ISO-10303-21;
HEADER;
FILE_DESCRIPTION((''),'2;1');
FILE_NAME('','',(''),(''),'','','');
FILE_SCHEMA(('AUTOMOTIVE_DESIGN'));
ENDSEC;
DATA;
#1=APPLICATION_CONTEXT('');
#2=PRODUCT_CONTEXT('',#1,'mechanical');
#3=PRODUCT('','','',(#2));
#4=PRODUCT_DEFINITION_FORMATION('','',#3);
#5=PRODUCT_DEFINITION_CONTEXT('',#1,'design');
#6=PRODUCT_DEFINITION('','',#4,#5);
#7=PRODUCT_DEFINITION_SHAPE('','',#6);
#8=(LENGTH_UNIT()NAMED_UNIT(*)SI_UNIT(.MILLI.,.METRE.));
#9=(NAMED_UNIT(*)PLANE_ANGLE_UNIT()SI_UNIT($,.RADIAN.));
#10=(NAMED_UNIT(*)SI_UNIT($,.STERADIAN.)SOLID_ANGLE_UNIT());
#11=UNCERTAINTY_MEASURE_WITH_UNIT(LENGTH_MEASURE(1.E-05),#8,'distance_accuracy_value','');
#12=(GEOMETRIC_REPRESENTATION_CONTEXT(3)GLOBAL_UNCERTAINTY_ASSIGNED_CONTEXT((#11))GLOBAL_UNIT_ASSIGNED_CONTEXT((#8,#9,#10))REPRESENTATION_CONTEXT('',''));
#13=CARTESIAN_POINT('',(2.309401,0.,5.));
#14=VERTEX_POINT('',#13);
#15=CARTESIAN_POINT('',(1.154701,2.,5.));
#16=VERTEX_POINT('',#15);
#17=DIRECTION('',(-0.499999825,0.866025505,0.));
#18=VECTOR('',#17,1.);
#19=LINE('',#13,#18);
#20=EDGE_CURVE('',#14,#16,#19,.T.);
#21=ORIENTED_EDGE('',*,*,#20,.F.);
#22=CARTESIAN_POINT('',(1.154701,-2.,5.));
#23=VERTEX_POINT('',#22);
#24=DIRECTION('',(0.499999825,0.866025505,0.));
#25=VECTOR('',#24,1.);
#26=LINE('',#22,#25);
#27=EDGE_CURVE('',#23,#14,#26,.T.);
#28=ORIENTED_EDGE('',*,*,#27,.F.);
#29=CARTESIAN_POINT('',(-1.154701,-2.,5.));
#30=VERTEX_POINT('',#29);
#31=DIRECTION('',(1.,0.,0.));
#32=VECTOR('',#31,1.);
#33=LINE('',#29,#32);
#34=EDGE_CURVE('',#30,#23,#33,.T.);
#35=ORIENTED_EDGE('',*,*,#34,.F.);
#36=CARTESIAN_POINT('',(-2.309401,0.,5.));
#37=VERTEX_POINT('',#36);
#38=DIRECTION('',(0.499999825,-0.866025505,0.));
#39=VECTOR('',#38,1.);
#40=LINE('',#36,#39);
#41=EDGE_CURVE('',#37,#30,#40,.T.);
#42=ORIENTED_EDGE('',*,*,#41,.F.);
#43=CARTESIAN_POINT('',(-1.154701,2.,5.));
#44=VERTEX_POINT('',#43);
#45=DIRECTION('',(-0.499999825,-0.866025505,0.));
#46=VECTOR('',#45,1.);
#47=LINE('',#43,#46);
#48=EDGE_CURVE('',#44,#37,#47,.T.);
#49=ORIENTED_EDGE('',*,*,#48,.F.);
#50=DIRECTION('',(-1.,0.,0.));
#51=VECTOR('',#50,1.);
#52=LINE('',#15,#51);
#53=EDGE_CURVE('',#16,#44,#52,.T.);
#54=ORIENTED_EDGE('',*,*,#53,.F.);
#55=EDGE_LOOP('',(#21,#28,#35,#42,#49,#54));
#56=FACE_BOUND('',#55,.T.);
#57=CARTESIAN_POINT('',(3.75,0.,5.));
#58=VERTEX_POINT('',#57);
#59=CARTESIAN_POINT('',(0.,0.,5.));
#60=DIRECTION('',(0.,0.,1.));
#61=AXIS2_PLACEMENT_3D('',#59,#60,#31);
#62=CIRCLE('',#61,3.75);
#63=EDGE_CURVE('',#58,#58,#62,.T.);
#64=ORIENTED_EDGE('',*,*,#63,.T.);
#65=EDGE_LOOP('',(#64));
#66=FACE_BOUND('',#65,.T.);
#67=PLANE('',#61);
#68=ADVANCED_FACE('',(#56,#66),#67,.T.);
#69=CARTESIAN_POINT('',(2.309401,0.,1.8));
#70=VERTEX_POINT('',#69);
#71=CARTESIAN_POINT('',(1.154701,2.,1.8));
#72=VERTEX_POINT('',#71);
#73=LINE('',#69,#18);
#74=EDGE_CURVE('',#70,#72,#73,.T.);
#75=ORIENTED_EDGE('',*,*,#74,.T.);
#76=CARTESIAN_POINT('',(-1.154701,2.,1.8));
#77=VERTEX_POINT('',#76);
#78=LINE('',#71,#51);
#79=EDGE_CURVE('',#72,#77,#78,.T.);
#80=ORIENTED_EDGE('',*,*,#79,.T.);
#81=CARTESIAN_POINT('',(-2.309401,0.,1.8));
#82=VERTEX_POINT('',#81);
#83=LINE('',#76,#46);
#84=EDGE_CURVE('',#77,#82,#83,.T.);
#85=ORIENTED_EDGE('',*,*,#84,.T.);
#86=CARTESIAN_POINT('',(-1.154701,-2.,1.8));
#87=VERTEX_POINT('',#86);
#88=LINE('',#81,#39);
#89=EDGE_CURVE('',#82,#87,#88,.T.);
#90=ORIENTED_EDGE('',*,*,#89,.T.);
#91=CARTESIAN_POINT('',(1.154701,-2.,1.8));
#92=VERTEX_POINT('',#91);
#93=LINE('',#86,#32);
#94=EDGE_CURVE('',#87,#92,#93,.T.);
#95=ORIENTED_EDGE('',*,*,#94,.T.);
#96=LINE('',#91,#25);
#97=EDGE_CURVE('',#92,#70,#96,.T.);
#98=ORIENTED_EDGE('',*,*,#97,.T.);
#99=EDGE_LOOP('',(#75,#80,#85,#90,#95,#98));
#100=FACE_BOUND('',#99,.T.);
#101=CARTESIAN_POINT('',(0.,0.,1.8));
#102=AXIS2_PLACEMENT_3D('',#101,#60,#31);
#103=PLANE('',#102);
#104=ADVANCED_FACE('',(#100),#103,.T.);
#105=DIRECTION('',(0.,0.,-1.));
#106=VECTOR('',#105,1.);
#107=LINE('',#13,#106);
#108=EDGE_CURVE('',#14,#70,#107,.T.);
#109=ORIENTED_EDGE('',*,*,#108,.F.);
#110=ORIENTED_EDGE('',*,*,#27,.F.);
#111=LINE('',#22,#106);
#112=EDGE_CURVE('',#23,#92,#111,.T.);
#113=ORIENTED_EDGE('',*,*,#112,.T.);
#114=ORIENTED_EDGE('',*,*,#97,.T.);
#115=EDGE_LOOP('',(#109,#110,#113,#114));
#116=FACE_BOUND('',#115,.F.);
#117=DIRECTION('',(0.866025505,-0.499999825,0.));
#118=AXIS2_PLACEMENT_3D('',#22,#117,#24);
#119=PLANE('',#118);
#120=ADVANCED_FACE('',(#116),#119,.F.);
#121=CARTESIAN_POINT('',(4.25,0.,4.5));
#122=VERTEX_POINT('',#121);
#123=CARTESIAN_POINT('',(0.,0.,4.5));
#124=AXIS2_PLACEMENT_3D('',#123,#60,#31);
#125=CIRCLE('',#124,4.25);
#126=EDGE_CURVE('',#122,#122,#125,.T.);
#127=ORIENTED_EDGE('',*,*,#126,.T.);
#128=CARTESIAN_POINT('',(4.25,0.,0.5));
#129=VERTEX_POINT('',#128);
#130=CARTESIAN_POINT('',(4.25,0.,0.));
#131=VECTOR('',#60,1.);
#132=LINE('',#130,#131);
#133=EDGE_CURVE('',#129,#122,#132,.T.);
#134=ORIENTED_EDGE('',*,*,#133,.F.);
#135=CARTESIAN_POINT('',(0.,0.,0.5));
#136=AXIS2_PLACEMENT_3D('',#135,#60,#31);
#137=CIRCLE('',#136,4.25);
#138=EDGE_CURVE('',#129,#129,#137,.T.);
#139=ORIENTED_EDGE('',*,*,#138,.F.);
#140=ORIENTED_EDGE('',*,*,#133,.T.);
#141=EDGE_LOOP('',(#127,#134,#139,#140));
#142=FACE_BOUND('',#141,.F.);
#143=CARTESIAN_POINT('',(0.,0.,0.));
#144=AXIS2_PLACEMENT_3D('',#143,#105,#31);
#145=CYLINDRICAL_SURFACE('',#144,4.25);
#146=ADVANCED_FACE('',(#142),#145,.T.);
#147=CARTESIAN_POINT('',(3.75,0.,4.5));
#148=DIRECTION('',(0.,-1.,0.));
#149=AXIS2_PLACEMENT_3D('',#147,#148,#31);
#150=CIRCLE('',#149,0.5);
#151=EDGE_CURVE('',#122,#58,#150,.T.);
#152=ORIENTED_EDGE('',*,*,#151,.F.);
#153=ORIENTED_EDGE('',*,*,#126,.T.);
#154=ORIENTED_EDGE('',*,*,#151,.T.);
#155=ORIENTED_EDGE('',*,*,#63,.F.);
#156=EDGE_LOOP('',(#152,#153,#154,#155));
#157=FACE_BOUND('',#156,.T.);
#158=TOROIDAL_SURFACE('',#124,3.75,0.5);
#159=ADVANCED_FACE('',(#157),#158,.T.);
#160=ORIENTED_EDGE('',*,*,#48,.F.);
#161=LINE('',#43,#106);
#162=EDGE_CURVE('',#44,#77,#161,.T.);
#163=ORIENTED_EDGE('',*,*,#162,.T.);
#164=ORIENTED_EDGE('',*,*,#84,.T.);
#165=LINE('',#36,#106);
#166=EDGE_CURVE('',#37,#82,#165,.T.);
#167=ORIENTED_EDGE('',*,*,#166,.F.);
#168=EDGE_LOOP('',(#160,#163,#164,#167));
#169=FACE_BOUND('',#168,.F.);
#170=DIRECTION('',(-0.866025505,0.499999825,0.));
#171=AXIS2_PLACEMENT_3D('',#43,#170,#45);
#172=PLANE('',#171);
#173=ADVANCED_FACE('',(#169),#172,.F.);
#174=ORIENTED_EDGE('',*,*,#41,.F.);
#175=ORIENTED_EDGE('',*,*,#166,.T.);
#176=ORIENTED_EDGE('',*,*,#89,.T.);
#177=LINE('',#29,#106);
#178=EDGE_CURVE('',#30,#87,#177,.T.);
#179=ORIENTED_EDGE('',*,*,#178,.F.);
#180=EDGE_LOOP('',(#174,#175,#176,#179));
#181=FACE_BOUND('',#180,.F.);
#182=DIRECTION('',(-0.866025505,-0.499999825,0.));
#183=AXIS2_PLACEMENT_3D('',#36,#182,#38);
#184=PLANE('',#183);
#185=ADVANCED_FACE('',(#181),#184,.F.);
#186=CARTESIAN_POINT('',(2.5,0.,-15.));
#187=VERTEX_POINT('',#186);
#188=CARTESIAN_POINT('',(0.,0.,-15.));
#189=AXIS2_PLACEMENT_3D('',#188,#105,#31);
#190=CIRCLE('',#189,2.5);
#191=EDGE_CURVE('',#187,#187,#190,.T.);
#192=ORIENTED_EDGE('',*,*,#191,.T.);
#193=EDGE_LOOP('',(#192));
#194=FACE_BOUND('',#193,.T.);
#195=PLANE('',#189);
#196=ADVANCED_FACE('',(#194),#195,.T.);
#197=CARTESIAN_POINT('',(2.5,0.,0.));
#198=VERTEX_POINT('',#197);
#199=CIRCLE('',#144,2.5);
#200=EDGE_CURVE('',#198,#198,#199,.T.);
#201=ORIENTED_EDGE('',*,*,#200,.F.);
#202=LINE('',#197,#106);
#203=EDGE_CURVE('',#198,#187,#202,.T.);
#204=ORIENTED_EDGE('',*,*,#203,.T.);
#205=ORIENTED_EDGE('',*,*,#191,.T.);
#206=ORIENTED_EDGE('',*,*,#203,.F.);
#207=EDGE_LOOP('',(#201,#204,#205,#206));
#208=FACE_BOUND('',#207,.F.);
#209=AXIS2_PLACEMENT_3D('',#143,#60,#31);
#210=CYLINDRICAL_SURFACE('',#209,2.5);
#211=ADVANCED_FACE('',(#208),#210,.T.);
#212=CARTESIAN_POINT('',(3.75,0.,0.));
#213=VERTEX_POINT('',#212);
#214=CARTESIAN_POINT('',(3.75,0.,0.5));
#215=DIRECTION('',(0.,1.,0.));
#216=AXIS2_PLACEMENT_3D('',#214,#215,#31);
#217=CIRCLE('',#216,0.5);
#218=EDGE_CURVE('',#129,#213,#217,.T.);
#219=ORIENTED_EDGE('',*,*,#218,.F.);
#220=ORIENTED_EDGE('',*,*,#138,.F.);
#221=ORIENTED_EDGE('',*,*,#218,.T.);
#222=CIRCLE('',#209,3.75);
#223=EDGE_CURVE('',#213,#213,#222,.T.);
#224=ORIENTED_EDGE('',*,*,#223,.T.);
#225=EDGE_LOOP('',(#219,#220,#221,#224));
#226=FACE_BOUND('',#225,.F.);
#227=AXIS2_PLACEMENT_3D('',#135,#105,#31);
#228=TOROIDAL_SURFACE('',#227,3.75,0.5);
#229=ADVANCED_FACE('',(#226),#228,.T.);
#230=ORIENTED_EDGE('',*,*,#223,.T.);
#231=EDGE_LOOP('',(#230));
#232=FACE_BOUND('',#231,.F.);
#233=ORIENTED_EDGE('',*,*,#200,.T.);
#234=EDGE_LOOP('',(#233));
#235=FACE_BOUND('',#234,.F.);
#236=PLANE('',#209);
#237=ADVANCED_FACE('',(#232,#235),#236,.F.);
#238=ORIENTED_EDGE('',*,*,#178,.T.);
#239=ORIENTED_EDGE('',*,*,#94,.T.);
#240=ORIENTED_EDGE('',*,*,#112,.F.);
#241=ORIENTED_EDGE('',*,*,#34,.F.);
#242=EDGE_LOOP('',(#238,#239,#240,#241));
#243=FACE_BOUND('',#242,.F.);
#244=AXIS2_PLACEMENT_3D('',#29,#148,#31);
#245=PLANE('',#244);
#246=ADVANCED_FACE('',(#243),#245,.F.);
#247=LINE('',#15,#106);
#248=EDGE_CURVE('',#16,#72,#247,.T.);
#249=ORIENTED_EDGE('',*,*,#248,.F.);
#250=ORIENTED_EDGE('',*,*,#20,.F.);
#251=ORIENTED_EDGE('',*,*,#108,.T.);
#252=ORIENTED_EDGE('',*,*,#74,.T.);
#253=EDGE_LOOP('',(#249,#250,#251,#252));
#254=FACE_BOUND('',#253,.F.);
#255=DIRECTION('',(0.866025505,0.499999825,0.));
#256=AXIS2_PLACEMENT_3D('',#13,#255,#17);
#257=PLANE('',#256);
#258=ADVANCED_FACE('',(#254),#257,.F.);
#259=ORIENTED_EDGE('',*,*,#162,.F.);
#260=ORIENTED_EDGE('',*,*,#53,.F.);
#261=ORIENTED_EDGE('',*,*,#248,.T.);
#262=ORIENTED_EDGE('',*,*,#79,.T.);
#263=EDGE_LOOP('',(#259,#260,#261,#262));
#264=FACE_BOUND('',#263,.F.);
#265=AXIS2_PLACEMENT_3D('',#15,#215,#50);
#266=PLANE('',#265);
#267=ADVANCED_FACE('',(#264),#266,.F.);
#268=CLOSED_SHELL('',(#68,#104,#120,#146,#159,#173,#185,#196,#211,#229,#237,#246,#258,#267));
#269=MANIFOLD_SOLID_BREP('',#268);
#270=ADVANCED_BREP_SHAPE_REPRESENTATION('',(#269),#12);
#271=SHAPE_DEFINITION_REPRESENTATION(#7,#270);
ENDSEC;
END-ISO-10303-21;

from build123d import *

# Parameters (mm, degrees)
F0_R     = 4.25
F1_DEPTH = 5
F2_R     = 2.5
F3_DEPTH = 15
F5_DEPTH = 3.2
F6_R     = 0.5


with BuildPart() as f1:
    # F0 (on Top) → F1 (new body)
    with BuildSketch(Plane.XY):
        Circle(F0_R)
    extrude(amount=F1_DEPTH)

    # F2 (on face) → F3 (join)
    with BuildSketch(Plane(origin=(0, 0, 0), x_dir=(1, 0, 0), z_dir=(0, 0, -1))):
        Circle(F2_R)
    extrude(amount=F3_DEPTH)

    # F4 (on face) → F5 (cut)
    with BuildSketch(Plane.XY.offset(5)):
        Polygon((-1.154701, -2), (1.154701, -2), (2.309401, 0), (1.154701, 2), (-1.154701, 2), (-2.309401, 0), align=None)
    extrude(amount=-F5_DEPTH, mode=Mode.SUBTRACT)

    # F6
    f6_edges = [f1.edges().sort_by_distance(p)[0] for p in [
        (-4.25, 0, 5),
        (-4.25, 0, 0),
    ]]
    fillet(f6_edges, radius=F6_R)


solid = f1.part
